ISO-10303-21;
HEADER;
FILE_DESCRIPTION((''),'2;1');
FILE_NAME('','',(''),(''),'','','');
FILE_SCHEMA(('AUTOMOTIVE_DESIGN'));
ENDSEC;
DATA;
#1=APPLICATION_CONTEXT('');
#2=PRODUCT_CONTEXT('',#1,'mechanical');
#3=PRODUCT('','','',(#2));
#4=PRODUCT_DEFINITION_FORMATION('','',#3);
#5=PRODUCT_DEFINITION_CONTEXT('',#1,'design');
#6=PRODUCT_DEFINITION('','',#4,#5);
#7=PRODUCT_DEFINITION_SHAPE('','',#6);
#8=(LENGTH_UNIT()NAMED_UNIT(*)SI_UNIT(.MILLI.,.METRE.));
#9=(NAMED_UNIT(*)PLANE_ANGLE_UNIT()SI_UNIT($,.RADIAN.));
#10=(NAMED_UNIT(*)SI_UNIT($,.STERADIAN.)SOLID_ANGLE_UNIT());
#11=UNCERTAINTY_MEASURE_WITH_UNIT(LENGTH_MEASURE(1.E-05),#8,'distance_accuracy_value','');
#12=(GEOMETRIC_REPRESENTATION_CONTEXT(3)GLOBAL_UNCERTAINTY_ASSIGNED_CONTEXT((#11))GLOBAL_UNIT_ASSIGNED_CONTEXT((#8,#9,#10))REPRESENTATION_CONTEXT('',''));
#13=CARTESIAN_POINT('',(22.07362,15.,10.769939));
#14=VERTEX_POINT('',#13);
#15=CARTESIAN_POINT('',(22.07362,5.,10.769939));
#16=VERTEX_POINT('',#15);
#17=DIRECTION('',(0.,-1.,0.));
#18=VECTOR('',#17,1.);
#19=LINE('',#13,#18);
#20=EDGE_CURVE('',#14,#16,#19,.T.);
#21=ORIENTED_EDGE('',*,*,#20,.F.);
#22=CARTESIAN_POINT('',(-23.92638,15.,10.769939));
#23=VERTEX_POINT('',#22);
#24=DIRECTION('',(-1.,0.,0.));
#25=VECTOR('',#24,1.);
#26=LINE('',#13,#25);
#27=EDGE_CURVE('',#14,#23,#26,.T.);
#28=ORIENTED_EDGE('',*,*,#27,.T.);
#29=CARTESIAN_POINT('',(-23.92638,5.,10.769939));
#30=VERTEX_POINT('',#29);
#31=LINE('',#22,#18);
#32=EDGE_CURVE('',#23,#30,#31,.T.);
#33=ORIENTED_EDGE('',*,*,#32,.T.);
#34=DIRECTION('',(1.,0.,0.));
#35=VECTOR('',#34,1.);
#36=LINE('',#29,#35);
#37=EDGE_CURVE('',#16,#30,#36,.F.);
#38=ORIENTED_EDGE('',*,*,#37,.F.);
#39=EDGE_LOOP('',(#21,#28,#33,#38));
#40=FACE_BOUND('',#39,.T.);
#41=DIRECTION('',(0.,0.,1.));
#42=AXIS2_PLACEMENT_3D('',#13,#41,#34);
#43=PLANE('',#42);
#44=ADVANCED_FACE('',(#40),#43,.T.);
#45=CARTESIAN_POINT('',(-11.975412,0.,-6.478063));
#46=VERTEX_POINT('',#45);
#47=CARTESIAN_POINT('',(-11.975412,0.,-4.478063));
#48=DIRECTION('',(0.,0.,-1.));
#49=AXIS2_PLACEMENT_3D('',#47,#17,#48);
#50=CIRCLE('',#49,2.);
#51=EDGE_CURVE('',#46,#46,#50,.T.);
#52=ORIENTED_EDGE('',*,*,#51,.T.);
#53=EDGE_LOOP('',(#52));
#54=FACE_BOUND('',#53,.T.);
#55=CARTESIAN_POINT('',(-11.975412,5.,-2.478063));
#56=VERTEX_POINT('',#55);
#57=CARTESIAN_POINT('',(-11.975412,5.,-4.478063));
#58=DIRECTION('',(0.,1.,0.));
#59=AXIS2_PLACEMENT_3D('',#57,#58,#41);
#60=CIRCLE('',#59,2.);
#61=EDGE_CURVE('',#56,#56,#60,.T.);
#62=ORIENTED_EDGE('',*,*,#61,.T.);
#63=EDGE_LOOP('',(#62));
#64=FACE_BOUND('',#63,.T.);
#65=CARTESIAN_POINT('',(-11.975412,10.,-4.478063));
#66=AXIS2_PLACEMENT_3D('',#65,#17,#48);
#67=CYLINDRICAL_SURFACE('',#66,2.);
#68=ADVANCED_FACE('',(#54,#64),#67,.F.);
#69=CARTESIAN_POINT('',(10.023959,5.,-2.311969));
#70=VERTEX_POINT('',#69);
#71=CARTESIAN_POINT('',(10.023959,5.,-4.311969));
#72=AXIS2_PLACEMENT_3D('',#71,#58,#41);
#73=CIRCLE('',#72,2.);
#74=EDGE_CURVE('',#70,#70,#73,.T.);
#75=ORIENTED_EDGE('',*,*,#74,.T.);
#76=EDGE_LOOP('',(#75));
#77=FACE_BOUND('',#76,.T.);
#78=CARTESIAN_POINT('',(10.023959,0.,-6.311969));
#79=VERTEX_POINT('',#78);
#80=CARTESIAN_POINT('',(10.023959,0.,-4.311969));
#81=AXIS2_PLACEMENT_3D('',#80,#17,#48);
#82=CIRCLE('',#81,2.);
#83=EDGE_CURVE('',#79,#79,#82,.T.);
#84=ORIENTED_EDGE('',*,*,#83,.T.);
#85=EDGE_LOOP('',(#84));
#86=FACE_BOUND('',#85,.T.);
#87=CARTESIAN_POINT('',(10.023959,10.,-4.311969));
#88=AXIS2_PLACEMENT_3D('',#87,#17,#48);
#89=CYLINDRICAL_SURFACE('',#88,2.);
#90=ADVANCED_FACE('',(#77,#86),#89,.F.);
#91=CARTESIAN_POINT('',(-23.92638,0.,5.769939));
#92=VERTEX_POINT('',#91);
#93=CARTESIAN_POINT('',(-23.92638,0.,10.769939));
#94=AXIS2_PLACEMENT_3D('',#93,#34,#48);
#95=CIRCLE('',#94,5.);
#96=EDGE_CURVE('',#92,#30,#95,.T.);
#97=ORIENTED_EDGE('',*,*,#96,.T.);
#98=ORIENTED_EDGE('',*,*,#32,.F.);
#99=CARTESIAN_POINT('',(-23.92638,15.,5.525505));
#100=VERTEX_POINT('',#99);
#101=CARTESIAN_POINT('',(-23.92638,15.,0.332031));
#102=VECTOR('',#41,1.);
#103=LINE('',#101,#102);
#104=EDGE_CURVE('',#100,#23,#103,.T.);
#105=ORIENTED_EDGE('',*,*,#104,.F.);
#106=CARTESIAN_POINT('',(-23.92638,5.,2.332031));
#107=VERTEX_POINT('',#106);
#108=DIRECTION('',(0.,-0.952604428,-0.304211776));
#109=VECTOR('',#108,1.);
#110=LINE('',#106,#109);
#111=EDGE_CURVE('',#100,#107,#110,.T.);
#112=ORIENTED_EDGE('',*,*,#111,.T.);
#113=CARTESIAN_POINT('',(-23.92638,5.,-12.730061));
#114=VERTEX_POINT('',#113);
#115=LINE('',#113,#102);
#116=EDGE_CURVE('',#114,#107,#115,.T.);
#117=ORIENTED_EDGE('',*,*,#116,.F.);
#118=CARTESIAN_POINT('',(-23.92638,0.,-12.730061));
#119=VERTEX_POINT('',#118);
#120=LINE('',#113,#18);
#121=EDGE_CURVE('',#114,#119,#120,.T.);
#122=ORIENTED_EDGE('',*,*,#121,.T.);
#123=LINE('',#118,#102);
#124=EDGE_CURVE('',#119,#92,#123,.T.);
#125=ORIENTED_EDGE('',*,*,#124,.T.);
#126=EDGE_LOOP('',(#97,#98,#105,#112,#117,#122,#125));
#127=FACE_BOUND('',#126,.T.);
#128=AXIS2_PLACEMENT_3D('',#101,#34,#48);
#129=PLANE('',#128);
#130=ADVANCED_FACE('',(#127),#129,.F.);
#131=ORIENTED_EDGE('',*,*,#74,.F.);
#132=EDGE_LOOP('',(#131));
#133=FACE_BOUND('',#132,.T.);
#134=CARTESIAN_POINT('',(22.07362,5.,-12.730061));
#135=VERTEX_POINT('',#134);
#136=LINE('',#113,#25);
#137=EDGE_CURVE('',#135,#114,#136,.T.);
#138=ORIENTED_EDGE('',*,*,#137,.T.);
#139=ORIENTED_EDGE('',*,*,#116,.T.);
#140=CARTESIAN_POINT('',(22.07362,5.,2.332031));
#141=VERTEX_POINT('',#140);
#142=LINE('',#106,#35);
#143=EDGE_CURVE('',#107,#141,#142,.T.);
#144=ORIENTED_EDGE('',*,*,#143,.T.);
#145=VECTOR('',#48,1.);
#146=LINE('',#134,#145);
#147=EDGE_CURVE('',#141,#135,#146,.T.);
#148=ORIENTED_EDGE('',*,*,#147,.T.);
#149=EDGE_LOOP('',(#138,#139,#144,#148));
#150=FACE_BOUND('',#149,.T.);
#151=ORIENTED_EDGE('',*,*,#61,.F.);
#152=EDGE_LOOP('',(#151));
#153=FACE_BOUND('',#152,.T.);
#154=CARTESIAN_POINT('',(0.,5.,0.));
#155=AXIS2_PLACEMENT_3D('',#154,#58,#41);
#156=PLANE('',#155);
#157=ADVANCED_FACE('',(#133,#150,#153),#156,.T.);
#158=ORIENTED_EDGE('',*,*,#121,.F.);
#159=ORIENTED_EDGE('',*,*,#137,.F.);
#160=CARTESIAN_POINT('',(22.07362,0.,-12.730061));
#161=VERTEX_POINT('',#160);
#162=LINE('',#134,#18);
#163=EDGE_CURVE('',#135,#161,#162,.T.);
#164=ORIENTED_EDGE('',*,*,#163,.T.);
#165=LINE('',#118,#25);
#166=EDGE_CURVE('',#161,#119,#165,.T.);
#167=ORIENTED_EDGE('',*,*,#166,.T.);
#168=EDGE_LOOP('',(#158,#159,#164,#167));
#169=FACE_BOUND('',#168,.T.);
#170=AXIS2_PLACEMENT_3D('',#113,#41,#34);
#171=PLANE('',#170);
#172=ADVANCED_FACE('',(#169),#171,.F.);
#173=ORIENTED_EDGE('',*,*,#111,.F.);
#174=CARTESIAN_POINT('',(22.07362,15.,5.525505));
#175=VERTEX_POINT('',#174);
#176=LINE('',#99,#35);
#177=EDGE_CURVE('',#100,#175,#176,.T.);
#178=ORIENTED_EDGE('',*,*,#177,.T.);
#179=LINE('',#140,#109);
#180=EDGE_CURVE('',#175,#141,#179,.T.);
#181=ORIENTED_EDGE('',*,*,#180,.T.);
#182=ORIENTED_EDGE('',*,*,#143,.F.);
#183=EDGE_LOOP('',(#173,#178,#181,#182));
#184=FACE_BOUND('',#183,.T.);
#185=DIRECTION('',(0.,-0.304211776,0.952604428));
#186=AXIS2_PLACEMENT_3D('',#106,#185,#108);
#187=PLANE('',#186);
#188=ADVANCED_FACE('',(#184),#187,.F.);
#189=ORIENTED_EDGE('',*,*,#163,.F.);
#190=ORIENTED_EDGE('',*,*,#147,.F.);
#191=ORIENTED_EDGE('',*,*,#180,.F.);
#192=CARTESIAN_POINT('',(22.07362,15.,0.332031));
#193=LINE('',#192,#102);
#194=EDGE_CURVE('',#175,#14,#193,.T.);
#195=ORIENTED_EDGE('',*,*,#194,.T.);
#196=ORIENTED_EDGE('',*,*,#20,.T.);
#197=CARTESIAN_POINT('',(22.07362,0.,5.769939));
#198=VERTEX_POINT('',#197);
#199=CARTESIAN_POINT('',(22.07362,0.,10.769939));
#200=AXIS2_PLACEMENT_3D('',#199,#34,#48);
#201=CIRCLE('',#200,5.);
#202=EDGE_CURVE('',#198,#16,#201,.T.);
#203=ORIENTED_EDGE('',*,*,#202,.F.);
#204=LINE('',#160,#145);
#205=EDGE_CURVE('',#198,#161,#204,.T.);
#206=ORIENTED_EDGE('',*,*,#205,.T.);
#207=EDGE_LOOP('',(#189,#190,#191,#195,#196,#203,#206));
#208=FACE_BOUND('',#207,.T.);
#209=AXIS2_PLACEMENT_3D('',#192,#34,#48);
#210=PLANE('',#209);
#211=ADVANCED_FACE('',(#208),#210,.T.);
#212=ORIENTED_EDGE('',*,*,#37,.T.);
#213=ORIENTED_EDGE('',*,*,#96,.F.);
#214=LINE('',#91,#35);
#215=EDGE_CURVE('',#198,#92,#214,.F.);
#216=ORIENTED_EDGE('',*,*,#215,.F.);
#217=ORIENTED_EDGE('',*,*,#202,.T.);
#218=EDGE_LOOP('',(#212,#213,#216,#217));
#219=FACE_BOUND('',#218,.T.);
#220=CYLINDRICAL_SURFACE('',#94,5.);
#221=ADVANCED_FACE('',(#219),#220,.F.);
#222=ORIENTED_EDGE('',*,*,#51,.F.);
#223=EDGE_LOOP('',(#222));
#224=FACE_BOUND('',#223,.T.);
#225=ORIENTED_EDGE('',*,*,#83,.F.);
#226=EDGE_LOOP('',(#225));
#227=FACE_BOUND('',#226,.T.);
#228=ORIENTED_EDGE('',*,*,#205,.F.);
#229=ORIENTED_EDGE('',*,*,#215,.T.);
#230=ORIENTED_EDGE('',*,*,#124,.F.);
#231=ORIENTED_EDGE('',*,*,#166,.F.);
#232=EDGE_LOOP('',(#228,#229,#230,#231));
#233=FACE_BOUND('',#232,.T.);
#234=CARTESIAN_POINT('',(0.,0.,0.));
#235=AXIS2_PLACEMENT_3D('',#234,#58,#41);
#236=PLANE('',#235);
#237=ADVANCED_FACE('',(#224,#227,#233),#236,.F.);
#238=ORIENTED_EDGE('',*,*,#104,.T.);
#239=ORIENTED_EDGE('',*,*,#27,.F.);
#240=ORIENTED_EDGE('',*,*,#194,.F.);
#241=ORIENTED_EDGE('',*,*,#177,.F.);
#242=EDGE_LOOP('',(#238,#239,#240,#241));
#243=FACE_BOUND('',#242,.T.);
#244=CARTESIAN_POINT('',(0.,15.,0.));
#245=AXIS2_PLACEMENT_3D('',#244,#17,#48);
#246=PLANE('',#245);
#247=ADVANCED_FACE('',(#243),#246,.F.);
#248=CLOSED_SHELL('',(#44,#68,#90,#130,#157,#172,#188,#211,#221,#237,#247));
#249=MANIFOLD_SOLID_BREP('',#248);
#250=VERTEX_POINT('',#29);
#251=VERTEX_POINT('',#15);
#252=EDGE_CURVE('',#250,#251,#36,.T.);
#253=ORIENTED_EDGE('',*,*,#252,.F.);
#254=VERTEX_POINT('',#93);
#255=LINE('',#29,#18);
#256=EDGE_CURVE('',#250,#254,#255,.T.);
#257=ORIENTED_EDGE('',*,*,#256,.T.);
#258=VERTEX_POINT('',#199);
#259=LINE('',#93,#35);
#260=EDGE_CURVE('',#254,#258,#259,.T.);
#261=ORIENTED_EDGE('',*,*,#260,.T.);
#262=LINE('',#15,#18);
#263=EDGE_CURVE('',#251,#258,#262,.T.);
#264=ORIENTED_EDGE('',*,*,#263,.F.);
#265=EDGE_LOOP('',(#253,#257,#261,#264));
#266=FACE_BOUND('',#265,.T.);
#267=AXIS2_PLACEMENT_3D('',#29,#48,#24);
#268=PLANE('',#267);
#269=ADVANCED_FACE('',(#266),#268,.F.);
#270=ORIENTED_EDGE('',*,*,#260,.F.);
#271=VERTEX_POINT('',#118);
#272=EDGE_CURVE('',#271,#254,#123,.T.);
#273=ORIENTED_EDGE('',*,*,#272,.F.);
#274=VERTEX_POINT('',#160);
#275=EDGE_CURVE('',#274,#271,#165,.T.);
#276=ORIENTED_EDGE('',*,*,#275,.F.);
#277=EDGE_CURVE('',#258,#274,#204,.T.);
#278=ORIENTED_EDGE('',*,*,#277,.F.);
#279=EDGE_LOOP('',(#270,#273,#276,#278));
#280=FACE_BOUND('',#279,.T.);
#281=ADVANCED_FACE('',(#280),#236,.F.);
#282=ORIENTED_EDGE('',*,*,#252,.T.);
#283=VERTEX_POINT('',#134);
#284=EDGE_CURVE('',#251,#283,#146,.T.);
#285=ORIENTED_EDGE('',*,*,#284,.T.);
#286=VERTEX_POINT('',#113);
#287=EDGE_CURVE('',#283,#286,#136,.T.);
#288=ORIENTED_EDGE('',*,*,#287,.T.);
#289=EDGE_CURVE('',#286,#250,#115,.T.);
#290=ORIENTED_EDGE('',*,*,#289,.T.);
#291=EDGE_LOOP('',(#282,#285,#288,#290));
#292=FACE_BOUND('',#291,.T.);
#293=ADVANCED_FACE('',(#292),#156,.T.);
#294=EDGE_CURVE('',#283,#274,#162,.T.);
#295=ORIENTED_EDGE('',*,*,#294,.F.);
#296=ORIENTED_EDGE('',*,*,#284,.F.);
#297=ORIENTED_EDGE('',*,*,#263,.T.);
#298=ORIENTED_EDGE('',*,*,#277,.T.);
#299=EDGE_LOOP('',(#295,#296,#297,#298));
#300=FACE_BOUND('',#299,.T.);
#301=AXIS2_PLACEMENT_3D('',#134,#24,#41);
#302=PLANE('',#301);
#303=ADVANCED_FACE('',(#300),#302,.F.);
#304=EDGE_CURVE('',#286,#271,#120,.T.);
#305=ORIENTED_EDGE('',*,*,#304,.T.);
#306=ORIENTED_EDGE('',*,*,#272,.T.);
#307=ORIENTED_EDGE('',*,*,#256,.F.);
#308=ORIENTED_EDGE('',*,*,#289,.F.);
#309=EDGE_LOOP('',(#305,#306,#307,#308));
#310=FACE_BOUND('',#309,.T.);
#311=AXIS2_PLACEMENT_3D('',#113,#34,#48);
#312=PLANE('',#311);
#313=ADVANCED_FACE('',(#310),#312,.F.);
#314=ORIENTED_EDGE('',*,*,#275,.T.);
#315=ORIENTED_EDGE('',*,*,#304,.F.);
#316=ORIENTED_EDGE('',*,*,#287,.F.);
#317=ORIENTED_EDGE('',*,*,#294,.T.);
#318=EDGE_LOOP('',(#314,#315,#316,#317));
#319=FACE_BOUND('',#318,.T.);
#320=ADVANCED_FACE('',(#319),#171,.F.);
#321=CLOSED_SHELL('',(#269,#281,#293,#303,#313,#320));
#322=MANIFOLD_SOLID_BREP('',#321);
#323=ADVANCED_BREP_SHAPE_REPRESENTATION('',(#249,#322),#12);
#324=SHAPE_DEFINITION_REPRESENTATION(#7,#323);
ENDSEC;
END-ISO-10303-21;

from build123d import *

# Parameters (mm, degrees)
SKETCH1_W               = 46
SKETCH1_H               = 23.5
BOSS_EXTRUDE1_DEPTH     = 5
SKETCH2_W               = 46
SKETCH2_H               = 10.437907818
BOSS_EXTRUDE2_DEPTH     = 10
SKETCH1_2_W             = 46
SKETCH1_2_H             = 23.5
BOSS_EXTRUDE3_DEPTH     = 5
SKETCH3_R               = 2
CUT_EXTRUDE1_DEPTH      = 10
SKETCH4_R               = 5
CUT_EXTRUDE2_DEPTH      = 1
CUT_EXTRUDE2_DEPTH_BACK = 47


with BuildPart() as part:
    # Sketch1 → Boss-Extrude1 (new body)
    with BuildSketch(Plane(origin=(0, 0, 0), x_dir=(1, 0, 0), z_dir=(0, 1, 0))):
        with Locations((-0.926380368, 0.98006135)):
            Rectangle(SKETCH1_W, SKETCH1_H)
    extrude(amount=BOSS_EXTRUDE1_DEPTH)


with BuildPart() as body_2:
    # Sketch2 → Boss-Extrude2 (new body)
    with BuildSketch(Plane(origin=(0, 5, 0), x_dir=(1, 0, 0), z_dir=(0, 1, 0))):
        with Locations((-0.926380368, -5.550984741)):
            Rectangle(SKETCH2_W, SKETCH2_H)
    extrude(amount=BOSS_EXTRUDE2_DEPTH)

    # Sketch1<2> → Boss-Extrude3 (add)
    with BuildSketch(Plane(origin=(0, 0, 0), x_dir=(1, 0, 0), z_dir=(0, 1, 0))):
        with Locations((-0.926380368, 0.98006135)):
            Rectangle(SKETCH1_2_W, SKETCH1_2_H)
    extrude(amount=BOSS_EXTRUDE3_DEPTH)

    # Sketch3 → Cut-Extrude1 (cut)
    with BuildSketch(Plane.XZ):
        with Locations((10.02395927, -4.311969164)):
            Circle(SKETCH3_R)
        with Locations((-11.975411965, -4.478063294)):
            Circle(SKETCH3_R)
    extrude(amount=-CUT_EXTRUDE1_DEPTH, mode=Mode.SUBTRACT)

    # Sketch4 → Cut-Extrude2 (cut, two sides)
    with BuildSketch(Plane(origin=(22.073619632, 0, 0), x_dir=(0, 0, -1), z_dir=(1, 0, 0))) as cut_extrude2_sk:
        with Locations((-10.76993865, 0)):
            Circle(SKETCH4_R)
        Polygon((-0.332030832, 5), (-2.332030832, 5), (-5.525505132, 15), (-0.332030832, 15), align=None)
    extrude(amount=CUT_EXTRUDE2_DEPTH, mode=Mode.SUBTRACT)
    extrude(cut_extrude2_sk.sketch, amount=-CUT_EXTRUDE2_DEPTH_BACK, mode=Mode.SUBTRACT)


solid = Compound([part.part, body_2.part])
